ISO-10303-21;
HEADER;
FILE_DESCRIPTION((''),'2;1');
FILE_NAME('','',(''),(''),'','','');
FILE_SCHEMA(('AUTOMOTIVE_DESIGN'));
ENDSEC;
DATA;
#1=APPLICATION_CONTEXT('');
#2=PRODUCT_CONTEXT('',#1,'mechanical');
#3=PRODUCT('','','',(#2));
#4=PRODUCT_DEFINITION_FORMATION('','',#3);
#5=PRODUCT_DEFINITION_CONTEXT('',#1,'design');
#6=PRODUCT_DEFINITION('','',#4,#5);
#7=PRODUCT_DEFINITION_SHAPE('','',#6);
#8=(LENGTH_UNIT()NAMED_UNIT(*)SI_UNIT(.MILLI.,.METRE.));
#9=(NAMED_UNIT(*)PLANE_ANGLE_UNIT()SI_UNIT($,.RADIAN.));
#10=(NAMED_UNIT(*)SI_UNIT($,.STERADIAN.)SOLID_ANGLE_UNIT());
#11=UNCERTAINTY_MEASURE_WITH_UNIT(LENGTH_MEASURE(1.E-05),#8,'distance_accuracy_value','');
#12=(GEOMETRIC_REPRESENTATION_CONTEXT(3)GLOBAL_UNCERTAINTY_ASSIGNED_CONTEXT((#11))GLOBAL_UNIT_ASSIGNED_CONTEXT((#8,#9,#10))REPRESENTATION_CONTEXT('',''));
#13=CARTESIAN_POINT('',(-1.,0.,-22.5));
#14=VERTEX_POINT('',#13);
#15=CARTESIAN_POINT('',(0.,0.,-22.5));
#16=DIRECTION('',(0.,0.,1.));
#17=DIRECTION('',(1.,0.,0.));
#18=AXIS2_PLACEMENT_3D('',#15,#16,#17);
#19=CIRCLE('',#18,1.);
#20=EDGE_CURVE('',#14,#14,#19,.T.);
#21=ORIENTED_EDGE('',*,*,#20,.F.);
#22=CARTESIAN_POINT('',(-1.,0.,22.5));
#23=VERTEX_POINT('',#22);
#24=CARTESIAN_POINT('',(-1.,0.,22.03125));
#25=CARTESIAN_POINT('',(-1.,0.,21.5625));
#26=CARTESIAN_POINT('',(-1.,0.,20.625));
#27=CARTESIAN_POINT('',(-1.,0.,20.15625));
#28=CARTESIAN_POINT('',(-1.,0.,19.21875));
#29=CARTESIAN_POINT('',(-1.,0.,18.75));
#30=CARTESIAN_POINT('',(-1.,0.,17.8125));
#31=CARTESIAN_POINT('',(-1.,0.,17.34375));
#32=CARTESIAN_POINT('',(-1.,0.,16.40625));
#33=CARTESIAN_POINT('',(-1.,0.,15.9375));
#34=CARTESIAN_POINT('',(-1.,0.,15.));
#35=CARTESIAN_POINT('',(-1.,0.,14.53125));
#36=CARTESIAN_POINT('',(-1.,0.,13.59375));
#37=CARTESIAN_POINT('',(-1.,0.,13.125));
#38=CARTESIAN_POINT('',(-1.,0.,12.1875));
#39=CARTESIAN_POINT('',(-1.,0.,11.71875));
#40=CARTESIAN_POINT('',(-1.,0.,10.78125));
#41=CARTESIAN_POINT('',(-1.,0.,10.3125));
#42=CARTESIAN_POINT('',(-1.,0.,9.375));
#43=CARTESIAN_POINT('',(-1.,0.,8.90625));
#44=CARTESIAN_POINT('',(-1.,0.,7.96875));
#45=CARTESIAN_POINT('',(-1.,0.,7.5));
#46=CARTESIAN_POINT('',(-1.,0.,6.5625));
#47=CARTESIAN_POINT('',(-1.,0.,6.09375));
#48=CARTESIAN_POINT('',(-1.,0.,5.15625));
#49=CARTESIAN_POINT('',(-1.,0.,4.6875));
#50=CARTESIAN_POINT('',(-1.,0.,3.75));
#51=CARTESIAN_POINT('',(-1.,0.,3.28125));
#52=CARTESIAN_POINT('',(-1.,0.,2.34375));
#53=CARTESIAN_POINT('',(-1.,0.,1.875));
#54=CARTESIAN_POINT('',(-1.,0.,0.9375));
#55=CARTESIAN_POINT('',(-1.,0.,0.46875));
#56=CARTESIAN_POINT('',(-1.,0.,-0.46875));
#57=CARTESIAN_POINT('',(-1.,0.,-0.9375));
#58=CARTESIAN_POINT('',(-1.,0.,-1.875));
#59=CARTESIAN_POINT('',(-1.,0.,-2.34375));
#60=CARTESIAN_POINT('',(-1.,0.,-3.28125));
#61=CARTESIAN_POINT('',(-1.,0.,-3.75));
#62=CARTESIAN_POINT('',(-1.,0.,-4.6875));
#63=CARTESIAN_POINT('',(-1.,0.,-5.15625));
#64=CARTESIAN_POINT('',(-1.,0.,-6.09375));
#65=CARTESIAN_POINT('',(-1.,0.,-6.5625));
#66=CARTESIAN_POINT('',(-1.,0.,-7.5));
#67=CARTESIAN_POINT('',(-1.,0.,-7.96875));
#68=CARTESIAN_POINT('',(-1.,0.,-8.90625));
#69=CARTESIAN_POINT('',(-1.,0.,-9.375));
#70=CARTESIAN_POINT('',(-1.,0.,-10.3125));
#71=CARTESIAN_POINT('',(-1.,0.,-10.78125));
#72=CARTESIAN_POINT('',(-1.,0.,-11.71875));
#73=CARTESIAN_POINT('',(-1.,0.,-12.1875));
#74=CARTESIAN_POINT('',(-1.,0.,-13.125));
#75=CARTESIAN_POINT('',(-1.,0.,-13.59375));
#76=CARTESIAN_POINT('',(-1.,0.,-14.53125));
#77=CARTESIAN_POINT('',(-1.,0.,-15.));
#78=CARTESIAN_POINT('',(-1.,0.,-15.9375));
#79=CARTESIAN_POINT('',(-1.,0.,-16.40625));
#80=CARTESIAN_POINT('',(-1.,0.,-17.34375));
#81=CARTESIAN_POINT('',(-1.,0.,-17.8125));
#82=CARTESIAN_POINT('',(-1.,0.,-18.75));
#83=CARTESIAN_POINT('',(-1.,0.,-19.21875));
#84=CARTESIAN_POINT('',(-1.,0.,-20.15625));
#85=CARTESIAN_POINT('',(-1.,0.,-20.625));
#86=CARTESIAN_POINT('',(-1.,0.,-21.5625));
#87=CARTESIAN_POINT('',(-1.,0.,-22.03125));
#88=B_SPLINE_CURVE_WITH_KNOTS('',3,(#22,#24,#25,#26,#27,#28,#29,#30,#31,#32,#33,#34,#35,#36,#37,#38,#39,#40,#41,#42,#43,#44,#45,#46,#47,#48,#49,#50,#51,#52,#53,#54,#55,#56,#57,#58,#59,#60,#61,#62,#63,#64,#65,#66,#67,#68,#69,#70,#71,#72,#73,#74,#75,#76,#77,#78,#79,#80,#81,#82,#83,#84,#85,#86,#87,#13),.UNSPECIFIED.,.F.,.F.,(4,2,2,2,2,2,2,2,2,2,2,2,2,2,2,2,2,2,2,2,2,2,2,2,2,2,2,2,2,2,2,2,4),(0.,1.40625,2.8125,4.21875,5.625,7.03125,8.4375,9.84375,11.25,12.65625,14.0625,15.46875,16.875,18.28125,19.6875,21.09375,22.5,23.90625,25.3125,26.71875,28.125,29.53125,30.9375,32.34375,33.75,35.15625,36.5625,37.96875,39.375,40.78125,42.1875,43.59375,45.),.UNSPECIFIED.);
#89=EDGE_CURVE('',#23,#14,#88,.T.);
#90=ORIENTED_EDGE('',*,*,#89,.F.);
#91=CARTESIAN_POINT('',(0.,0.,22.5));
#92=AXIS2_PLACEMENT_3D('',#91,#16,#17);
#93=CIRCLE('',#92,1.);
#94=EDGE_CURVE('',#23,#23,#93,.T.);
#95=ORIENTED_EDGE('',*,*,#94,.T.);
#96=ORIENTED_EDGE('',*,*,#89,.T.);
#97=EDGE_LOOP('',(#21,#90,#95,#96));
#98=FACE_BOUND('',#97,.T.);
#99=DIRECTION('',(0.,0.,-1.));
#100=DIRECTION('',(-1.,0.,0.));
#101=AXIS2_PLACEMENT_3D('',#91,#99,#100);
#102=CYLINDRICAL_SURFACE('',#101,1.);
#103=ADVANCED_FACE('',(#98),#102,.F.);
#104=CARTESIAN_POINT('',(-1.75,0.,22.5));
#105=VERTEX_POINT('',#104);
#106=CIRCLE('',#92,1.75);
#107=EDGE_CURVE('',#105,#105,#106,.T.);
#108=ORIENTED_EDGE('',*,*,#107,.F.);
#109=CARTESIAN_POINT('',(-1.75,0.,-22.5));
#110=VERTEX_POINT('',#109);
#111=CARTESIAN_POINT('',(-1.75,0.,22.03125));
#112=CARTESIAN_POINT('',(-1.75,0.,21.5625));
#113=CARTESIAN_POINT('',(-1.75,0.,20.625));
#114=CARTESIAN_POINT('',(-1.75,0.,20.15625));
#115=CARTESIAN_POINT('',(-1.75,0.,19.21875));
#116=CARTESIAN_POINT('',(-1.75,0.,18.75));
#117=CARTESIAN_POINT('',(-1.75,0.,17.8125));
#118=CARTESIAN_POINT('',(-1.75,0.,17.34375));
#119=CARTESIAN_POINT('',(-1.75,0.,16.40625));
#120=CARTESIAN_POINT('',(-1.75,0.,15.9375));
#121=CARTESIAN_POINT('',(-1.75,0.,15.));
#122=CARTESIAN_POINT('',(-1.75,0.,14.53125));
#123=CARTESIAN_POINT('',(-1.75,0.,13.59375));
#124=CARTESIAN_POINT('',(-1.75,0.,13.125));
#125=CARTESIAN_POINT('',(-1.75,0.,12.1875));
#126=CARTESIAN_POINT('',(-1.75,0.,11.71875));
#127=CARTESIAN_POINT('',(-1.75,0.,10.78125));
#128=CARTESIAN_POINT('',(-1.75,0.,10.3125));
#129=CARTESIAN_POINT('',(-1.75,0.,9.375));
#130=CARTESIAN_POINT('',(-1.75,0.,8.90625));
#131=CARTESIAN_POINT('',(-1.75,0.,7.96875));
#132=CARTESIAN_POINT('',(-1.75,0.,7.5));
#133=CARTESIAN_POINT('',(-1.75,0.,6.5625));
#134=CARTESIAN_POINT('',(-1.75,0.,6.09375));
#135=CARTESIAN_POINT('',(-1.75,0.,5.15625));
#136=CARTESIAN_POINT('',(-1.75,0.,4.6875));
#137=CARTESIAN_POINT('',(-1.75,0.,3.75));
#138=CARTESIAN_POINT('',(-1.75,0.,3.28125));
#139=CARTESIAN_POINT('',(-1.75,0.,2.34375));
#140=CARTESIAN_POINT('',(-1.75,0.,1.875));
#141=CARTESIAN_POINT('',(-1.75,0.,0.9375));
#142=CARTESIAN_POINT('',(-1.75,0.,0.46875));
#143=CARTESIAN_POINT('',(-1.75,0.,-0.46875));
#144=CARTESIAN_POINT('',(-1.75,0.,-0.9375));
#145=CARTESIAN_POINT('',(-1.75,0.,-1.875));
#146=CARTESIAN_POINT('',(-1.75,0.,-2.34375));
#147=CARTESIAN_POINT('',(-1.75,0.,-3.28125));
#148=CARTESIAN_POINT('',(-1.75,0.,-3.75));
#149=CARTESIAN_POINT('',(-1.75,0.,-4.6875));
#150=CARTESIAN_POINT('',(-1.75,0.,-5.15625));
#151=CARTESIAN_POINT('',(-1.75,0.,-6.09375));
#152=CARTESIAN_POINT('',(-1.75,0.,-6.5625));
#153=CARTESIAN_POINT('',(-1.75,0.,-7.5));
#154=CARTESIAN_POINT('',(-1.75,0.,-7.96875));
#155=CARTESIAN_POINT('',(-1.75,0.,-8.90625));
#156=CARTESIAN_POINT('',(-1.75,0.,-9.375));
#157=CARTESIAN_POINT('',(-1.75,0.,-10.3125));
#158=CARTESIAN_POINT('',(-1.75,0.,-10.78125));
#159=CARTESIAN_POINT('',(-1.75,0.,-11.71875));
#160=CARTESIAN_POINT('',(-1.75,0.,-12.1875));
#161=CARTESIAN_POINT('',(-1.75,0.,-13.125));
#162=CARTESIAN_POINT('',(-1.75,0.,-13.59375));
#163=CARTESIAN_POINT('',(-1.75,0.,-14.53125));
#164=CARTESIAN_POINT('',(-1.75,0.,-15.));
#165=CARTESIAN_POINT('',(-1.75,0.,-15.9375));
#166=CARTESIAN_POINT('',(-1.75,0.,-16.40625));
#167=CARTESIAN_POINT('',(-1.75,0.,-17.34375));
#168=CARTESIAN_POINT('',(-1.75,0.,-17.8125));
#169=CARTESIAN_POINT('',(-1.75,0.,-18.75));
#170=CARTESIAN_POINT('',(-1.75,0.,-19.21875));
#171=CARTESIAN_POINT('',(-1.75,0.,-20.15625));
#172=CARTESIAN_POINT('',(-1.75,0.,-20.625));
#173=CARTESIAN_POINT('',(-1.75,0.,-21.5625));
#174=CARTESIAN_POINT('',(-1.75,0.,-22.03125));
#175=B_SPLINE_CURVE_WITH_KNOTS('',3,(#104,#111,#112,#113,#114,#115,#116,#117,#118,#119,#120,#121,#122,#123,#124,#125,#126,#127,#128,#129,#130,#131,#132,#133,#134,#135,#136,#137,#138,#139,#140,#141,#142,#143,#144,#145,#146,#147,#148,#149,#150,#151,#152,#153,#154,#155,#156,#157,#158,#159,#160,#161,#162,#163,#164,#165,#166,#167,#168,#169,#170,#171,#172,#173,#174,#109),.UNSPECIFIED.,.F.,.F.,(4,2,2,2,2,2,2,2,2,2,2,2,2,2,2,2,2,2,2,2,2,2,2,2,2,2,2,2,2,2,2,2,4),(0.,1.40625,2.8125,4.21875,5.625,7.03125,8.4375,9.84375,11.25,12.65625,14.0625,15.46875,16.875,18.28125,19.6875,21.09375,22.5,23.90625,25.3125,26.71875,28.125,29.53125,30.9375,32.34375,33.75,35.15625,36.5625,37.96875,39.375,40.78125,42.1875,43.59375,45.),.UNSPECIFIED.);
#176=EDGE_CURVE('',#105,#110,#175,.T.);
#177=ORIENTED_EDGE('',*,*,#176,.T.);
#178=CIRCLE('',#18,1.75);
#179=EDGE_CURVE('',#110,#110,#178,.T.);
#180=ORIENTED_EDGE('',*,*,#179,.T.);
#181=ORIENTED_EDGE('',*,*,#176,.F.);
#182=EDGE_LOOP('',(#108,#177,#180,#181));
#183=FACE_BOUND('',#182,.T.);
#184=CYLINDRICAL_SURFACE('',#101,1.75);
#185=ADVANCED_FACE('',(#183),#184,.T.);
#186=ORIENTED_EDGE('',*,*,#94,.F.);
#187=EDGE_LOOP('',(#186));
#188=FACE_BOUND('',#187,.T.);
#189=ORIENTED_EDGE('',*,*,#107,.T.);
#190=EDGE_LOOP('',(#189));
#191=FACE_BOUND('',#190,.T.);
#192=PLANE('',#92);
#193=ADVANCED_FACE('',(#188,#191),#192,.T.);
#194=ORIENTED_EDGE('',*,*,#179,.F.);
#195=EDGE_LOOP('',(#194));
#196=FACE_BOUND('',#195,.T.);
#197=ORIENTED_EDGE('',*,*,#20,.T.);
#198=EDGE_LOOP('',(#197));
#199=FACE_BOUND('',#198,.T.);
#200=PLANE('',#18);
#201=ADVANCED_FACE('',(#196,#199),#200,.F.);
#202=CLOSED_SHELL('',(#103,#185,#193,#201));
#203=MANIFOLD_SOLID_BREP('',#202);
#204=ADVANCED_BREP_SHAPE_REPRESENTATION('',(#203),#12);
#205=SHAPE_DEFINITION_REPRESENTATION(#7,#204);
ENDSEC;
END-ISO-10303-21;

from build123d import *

# Parameters (mm, degrees)
SKETCH_1_R      = 1.75
SKETCH_1_R_2    = 1
EXTRUDE_1_DEPTH = 22.5


with BuildPart() as part:
    # 草图1 → 凸台-拉伸1 (new, symmetric)
    with BuildSketch(Plane.XY):
        with Locations(Location((0, 0, 0), (0, 0, 180))):
            Circle(SKETCH_1_R)
        with Locations(Location((0, 0, 0), (0, 0, 180))):
            Circle(SKETCH_1_R_2, mode=Mode.SUBTRACT)
    extrude(amount=EXTRUDE_1_DEPTH, both=True)


solid = part.part
